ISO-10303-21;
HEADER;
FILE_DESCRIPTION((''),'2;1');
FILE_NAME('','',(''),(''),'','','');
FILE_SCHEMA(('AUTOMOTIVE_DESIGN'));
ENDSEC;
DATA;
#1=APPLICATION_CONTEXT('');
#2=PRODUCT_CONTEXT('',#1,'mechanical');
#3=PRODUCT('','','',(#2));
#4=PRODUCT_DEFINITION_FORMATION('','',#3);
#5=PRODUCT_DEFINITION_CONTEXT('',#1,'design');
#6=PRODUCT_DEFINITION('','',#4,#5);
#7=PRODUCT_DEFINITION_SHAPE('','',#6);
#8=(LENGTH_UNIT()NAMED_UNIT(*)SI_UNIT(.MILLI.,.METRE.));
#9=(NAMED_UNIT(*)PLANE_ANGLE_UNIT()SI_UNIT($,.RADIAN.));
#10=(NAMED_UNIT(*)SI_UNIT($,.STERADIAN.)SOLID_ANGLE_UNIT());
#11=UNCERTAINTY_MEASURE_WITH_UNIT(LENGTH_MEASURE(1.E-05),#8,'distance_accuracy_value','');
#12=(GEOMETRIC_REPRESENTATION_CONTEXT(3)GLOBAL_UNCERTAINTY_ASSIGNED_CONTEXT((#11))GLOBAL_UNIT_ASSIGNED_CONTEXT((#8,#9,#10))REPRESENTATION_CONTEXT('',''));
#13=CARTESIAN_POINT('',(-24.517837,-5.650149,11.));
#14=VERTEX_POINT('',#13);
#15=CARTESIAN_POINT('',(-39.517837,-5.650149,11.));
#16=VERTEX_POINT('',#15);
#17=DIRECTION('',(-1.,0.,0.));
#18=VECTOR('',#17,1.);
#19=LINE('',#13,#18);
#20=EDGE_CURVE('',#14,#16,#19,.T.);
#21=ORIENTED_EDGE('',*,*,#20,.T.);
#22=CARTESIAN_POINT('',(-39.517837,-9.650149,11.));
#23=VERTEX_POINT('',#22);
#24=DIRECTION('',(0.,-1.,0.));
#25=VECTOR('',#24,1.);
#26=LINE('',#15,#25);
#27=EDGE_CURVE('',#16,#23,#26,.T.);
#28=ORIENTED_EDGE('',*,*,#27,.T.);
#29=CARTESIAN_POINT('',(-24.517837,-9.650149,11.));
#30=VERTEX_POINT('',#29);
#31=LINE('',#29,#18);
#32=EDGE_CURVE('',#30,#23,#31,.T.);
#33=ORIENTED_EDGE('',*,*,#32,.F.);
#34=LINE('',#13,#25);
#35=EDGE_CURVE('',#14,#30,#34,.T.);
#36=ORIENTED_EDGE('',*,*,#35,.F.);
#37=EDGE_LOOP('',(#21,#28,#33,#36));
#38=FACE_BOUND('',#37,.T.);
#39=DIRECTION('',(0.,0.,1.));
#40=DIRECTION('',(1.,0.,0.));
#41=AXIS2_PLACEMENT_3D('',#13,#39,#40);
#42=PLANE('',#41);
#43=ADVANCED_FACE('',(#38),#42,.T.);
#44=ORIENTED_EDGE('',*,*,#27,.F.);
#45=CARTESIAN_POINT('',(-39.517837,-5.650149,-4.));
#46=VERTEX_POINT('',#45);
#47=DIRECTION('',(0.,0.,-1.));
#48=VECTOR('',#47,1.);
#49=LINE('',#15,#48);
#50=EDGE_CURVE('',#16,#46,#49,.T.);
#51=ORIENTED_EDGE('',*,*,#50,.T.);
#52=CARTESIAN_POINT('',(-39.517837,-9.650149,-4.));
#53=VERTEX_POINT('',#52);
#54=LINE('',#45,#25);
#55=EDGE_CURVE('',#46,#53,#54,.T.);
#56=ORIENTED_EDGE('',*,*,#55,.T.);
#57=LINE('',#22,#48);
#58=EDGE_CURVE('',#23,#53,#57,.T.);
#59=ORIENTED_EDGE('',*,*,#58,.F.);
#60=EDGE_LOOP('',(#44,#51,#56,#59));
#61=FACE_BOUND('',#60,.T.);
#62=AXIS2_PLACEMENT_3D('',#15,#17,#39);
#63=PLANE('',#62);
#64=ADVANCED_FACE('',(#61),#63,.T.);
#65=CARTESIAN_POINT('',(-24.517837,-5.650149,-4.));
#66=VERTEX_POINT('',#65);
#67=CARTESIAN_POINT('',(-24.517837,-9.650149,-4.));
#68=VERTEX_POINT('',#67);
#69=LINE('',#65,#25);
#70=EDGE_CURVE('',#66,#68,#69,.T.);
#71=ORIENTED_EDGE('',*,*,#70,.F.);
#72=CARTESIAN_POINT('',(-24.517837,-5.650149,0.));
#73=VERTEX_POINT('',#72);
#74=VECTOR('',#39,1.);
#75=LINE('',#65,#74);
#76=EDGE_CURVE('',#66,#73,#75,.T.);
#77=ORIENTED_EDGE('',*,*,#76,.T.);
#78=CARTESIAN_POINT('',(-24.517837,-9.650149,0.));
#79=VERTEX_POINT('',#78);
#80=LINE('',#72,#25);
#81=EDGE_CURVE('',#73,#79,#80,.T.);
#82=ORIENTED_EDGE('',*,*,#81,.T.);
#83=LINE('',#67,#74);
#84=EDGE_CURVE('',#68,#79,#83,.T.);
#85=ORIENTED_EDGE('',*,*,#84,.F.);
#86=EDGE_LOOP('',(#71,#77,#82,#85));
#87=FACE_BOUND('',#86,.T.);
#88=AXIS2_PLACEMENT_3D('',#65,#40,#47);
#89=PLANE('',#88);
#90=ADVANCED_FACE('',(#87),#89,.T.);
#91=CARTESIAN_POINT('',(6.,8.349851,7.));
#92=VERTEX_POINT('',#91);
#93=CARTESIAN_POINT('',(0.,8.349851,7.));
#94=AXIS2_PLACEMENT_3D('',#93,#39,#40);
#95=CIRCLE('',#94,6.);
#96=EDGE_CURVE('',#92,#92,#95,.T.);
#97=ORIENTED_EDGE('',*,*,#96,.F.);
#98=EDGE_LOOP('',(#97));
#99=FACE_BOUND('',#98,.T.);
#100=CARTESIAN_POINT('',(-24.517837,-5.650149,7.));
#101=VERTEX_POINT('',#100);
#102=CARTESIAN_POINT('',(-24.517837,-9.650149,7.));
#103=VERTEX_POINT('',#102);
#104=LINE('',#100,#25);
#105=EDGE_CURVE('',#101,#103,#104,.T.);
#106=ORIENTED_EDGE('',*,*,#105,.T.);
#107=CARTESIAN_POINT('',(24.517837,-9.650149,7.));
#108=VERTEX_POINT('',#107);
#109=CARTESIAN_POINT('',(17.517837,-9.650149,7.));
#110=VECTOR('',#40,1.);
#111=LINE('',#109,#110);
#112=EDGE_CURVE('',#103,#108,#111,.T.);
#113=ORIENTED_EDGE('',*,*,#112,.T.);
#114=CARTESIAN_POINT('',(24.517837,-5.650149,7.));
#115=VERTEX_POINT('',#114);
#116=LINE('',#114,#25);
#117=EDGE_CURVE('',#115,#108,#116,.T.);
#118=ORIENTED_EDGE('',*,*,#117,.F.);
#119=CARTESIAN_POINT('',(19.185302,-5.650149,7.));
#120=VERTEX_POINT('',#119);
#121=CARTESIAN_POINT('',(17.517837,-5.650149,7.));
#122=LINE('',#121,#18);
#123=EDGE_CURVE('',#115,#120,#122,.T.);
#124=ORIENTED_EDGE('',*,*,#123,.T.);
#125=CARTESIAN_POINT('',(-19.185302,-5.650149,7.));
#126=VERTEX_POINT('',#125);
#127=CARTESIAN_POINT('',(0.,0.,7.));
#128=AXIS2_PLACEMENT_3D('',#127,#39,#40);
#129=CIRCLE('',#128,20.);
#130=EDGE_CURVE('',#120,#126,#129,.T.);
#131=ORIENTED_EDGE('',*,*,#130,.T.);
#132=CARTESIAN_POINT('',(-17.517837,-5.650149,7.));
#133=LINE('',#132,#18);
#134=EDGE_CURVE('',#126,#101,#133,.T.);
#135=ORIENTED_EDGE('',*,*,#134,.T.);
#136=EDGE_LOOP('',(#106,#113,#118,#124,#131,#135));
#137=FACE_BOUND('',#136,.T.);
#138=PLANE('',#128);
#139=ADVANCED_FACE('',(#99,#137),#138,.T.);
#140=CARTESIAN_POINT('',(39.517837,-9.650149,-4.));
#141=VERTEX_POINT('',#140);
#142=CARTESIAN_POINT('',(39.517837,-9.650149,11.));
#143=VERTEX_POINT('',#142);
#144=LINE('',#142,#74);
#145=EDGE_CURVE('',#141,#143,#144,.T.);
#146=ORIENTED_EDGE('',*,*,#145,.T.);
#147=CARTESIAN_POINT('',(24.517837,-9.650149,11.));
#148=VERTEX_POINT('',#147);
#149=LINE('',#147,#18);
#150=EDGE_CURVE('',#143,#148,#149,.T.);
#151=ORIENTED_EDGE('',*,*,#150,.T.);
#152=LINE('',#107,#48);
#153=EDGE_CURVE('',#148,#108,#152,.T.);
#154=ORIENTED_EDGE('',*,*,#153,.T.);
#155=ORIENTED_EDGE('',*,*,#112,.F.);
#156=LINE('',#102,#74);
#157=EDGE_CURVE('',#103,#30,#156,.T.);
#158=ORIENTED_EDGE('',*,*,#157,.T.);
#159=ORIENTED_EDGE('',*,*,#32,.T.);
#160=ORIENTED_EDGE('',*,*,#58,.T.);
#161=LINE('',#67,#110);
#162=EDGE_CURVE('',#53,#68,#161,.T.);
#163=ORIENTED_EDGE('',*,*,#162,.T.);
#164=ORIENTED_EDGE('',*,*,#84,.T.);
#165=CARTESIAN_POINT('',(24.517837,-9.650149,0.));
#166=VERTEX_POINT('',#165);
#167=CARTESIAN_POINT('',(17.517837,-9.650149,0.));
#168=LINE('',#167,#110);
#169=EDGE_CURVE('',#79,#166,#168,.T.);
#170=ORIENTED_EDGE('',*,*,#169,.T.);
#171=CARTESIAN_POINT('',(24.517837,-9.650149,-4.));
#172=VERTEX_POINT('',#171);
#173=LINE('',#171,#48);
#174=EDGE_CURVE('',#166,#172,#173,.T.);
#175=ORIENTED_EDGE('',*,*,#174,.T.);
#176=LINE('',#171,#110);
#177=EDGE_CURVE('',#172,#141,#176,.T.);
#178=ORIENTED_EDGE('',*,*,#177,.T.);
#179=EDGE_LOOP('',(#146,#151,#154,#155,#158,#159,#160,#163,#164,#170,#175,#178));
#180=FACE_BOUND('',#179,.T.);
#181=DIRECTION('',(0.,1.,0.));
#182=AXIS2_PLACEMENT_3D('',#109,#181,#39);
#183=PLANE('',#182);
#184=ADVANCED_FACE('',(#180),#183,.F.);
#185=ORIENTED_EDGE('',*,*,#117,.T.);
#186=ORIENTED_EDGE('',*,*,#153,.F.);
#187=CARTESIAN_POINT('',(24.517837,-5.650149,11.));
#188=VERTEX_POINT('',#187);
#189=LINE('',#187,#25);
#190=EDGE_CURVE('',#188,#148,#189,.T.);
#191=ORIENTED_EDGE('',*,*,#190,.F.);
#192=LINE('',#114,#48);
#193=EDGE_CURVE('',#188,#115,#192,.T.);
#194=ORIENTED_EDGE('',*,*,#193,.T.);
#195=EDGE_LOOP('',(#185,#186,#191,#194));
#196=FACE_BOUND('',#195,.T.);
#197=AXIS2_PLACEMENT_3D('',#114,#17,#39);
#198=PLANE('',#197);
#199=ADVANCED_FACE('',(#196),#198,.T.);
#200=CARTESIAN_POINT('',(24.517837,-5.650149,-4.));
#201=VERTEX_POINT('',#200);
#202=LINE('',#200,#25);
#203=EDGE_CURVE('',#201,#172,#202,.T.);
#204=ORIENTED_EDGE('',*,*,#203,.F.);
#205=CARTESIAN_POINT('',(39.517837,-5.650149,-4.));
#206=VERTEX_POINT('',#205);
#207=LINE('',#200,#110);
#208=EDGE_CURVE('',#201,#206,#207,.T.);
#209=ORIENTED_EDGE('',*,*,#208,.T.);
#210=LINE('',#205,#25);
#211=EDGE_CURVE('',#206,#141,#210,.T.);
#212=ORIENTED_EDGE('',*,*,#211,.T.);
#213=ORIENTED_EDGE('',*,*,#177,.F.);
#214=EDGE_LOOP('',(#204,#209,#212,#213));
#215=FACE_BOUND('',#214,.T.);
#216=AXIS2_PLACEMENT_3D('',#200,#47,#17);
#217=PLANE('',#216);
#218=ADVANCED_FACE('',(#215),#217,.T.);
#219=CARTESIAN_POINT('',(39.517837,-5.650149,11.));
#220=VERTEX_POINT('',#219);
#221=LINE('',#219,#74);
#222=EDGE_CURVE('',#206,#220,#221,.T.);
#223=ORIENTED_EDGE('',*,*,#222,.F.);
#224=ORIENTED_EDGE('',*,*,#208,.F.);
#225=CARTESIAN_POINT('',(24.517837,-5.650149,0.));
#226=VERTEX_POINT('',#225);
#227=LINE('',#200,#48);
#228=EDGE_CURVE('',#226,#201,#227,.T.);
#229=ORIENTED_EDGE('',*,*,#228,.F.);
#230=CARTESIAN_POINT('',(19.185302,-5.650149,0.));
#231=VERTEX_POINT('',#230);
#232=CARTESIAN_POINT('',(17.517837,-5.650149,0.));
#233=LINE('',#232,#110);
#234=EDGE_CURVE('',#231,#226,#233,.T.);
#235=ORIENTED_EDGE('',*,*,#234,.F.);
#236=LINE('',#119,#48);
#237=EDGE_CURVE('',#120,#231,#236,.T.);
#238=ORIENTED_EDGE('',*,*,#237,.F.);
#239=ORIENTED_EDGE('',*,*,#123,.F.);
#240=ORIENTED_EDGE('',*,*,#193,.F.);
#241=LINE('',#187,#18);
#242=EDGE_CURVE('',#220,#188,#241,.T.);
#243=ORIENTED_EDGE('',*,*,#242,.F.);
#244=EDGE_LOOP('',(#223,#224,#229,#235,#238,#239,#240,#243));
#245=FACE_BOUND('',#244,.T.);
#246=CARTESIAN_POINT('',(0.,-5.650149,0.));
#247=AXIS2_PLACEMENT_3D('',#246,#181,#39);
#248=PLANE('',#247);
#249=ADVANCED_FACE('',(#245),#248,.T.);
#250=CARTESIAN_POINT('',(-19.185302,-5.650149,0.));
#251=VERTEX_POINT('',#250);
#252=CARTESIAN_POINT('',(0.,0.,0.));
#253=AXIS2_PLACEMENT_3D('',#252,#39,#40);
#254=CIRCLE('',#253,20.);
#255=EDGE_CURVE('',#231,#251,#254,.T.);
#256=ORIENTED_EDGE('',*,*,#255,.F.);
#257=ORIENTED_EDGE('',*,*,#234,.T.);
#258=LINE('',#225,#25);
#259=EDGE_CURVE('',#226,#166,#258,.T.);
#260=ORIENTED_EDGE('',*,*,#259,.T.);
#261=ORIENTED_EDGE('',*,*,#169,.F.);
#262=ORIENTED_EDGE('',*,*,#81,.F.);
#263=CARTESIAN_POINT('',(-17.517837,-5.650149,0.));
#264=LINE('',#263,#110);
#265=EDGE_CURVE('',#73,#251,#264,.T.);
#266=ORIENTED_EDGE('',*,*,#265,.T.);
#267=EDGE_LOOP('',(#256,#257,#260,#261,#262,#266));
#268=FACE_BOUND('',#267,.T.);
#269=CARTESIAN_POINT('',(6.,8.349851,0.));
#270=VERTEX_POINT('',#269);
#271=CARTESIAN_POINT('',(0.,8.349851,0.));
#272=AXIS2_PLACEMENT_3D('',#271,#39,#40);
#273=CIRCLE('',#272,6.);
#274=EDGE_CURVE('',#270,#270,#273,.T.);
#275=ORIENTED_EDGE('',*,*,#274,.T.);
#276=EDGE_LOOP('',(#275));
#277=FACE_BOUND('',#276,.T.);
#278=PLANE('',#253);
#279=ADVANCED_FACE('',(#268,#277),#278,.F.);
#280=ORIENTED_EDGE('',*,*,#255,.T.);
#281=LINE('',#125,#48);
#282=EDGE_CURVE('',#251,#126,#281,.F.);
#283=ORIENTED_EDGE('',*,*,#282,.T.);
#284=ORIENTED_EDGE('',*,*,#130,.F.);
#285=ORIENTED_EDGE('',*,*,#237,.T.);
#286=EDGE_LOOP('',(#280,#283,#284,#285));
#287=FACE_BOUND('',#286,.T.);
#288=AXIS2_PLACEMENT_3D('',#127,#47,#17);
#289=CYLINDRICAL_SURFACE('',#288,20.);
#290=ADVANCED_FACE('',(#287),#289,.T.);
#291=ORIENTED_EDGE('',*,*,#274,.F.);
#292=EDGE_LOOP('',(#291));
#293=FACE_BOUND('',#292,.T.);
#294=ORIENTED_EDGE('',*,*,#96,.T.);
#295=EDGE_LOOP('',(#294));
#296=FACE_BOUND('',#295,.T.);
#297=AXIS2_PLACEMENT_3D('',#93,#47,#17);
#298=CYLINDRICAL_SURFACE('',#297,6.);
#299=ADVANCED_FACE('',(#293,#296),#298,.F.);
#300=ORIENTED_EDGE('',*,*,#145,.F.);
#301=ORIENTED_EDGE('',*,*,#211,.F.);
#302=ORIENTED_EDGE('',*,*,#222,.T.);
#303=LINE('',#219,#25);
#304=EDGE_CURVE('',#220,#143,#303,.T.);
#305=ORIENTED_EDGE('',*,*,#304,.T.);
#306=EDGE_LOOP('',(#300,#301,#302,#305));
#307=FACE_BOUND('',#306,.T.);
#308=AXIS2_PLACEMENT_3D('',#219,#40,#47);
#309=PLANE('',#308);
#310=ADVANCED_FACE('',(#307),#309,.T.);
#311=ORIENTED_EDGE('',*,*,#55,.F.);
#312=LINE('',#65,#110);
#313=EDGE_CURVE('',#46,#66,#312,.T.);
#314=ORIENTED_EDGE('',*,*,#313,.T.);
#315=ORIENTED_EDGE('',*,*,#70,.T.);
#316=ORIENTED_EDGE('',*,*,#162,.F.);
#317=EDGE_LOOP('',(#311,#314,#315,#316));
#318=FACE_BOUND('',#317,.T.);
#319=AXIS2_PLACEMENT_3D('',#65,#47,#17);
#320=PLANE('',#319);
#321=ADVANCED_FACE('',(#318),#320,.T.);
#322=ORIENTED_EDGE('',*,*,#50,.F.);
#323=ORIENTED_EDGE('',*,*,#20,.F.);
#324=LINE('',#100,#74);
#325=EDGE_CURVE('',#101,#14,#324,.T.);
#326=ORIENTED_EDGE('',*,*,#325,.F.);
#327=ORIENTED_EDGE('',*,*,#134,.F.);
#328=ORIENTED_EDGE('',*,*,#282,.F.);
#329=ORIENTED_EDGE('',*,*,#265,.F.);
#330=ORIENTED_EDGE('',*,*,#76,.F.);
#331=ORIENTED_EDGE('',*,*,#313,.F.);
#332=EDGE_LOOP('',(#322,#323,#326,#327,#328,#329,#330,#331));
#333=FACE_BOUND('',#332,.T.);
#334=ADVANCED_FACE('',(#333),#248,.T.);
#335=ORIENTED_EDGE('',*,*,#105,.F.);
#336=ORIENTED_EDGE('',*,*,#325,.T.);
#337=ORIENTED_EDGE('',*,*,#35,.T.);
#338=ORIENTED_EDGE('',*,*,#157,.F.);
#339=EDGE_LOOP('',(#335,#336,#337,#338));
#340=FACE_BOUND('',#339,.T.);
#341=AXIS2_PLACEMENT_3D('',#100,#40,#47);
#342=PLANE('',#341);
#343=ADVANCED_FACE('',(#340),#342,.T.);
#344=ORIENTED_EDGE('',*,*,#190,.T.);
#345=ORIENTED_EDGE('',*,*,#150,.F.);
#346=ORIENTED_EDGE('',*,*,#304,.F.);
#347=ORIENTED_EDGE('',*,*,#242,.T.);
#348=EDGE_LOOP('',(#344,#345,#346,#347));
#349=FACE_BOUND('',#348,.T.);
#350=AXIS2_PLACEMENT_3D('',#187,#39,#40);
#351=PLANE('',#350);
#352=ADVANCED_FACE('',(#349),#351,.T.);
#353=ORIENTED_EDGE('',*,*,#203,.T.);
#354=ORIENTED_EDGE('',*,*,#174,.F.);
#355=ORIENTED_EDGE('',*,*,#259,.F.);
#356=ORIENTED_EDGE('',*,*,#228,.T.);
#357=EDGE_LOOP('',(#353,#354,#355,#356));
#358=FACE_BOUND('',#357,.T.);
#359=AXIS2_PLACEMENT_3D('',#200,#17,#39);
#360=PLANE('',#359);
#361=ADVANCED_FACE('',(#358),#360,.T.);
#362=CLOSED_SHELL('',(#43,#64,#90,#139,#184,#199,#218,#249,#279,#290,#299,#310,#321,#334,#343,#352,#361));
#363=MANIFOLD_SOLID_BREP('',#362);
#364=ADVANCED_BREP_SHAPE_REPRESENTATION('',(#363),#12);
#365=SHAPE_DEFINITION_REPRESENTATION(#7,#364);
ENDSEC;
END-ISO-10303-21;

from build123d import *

# Parameters (mm, degrees)
SKETCH1_R           = 6
BOSS_EXTRUDE1_DEPTH = 7
BOSS_EXTRUDE2_DEPTH = 4


with BuildPart() as part:
    # Sketch1 → Boss-Extrude1 (new body)
    with BuildSketch(Plane.XY):
        with BuildLine():
            Line((17.517837099, -9.650149397), (-17.517837099, -9.650149397))
            ThreePointArc((-17.517837099, -9.650149397), (0, 20), (17.517837099, -9.650149397))
        make_face()
        with Locations((0, 8.349850603)):
            Circle(SKETCH1_R, mode=Mode.SUBTRACT)
    extrude(amount=BOSS_EXTRUDE1_DEPTH)

    # Sketch5 → Boss-Extrude2 (add)
    with BuildSketch(Plane.XZ.offset(9.650149397)):
        Polygon((-24.517837099, -4), (-24.517837099, 0), (-17.517837099, 0), (-17.517837099, 7), (-24.517837099, 7), (-24.517837099, 11), (-39.517837099, 11), (-39.517837099, -4), align=None)
        Polygon((24.517837099, -4), (39.517837099, -4), (39.517837099, 11), (24.517837099, 11), (24.517837099, 7), (17.517837099, 7), (17.517837099, 0), (24.517837099, 0), align=None)
    extrude(amount=-BOSS_EXTRUDE2_DEPTH)


solid = part.part
